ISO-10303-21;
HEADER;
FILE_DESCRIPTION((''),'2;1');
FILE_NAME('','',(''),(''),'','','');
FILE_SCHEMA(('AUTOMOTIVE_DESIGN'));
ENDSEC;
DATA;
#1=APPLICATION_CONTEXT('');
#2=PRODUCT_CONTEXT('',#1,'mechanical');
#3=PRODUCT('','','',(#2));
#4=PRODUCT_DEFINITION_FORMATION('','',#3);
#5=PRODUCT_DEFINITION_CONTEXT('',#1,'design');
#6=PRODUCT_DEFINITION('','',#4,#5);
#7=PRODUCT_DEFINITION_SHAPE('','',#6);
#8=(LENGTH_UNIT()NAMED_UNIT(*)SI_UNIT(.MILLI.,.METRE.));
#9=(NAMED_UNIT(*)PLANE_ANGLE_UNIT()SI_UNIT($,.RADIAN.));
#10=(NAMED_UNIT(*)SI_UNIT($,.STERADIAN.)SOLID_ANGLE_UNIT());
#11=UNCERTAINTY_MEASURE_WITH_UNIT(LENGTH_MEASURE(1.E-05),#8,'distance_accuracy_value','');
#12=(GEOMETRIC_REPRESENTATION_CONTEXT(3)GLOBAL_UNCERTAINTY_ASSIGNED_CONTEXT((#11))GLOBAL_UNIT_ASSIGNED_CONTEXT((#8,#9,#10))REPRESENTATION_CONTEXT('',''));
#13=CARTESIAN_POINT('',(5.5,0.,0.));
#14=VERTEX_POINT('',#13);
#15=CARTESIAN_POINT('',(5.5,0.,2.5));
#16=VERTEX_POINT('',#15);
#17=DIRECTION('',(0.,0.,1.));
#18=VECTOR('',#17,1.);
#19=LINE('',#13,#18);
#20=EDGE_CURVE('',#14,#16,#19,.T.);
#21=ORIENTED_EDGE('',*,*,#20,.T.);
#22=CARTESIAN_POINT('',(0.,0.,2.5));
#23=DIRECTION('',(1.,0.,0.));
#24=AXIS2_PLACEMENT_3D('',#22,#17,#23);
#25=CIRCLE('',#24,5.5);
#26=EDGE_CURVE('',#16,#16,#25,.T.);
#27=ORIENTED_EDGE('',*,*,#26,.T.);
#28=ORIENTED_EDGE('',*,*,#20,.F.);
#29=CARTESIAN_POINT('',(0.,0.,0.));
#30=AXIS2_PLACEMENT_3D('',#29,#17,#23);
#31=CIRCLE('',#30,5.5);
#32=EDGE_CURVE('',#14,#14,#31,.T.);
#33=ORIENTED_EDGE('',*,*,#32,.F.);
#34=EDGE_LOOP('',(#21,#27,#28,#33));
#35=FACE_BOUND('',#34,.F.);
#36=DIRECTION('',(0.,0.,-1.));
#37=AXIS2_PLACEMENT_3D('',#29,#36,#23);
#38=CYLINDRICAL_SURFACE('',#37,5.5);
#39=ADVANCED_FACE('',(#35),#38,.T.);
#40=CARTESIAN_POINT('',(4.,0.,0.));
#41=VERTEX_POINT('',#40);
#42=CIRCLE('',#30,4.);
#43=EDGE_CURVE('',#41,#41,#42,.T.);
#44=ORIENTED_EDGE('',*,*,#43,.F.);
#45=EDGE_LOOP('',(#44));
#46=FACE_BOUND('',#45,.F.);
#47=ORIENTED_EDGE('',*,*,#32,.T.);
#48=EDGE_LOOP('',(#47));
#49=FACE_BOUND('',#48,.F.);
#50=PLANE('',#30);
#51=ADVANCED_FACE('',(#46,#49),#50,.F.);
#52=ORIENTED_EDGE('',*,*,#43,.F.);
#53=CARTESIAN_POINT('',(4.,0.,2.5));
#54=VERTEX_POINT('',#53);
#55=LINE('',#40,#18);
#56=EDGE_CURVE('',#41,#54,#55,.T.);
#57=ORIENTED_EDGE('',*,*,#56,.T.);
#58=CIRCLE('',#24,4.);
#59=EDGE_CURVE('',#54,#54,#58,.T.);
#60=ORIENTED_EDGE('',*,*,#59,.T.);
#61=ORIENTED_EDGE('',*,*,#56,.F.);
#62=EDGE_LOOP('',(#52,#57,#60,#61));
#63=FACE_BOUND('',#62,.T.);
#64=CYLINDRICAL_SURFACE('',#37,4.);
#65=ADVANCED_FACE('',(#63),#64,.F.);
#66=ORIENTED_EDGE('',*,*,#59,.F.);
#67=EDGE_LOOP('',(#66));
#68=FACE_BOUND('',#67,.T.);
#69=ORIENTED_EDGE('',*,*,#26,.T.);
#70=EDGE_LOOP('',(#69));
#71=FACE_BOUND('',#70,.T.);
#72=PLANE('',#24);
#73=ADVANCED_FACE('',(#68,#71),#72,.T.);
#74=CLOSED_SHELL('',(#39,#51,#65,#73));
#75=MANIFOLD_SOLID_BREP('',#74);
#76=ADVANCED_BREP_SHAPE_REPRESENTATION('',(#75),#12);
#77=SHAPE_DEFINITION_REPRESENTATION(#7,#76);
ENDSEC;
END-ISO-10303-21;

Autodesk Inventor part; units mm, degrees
ref_plane "YZ Plane" through (0, 0, 0) normal (1, 0, 0) x (0, 1, 0)
ref_plane "XZ Plane" through (0, 0, 0) normal (0, 1, 0) x (-1, 0, 0)
ref_plane "XY Plane" through (0, 0, 0) normal (0, 0, 1) x (1, 0, 0)
sketch "Sketch1" plane through (0, 0, 0) normal (0, 0, 1) x (1, 0, 0)
  circle A0 centre (0, 0) radius 4
  circle A1 centre (0, 0) radius 5.5
  dimension "d0" = 8
  dimension "d1" = 11
extrude "Extrusion1" add sketch "Sketch1" along normal blind 2.5
properties part number "FirstArmStageSupportSpacer"
